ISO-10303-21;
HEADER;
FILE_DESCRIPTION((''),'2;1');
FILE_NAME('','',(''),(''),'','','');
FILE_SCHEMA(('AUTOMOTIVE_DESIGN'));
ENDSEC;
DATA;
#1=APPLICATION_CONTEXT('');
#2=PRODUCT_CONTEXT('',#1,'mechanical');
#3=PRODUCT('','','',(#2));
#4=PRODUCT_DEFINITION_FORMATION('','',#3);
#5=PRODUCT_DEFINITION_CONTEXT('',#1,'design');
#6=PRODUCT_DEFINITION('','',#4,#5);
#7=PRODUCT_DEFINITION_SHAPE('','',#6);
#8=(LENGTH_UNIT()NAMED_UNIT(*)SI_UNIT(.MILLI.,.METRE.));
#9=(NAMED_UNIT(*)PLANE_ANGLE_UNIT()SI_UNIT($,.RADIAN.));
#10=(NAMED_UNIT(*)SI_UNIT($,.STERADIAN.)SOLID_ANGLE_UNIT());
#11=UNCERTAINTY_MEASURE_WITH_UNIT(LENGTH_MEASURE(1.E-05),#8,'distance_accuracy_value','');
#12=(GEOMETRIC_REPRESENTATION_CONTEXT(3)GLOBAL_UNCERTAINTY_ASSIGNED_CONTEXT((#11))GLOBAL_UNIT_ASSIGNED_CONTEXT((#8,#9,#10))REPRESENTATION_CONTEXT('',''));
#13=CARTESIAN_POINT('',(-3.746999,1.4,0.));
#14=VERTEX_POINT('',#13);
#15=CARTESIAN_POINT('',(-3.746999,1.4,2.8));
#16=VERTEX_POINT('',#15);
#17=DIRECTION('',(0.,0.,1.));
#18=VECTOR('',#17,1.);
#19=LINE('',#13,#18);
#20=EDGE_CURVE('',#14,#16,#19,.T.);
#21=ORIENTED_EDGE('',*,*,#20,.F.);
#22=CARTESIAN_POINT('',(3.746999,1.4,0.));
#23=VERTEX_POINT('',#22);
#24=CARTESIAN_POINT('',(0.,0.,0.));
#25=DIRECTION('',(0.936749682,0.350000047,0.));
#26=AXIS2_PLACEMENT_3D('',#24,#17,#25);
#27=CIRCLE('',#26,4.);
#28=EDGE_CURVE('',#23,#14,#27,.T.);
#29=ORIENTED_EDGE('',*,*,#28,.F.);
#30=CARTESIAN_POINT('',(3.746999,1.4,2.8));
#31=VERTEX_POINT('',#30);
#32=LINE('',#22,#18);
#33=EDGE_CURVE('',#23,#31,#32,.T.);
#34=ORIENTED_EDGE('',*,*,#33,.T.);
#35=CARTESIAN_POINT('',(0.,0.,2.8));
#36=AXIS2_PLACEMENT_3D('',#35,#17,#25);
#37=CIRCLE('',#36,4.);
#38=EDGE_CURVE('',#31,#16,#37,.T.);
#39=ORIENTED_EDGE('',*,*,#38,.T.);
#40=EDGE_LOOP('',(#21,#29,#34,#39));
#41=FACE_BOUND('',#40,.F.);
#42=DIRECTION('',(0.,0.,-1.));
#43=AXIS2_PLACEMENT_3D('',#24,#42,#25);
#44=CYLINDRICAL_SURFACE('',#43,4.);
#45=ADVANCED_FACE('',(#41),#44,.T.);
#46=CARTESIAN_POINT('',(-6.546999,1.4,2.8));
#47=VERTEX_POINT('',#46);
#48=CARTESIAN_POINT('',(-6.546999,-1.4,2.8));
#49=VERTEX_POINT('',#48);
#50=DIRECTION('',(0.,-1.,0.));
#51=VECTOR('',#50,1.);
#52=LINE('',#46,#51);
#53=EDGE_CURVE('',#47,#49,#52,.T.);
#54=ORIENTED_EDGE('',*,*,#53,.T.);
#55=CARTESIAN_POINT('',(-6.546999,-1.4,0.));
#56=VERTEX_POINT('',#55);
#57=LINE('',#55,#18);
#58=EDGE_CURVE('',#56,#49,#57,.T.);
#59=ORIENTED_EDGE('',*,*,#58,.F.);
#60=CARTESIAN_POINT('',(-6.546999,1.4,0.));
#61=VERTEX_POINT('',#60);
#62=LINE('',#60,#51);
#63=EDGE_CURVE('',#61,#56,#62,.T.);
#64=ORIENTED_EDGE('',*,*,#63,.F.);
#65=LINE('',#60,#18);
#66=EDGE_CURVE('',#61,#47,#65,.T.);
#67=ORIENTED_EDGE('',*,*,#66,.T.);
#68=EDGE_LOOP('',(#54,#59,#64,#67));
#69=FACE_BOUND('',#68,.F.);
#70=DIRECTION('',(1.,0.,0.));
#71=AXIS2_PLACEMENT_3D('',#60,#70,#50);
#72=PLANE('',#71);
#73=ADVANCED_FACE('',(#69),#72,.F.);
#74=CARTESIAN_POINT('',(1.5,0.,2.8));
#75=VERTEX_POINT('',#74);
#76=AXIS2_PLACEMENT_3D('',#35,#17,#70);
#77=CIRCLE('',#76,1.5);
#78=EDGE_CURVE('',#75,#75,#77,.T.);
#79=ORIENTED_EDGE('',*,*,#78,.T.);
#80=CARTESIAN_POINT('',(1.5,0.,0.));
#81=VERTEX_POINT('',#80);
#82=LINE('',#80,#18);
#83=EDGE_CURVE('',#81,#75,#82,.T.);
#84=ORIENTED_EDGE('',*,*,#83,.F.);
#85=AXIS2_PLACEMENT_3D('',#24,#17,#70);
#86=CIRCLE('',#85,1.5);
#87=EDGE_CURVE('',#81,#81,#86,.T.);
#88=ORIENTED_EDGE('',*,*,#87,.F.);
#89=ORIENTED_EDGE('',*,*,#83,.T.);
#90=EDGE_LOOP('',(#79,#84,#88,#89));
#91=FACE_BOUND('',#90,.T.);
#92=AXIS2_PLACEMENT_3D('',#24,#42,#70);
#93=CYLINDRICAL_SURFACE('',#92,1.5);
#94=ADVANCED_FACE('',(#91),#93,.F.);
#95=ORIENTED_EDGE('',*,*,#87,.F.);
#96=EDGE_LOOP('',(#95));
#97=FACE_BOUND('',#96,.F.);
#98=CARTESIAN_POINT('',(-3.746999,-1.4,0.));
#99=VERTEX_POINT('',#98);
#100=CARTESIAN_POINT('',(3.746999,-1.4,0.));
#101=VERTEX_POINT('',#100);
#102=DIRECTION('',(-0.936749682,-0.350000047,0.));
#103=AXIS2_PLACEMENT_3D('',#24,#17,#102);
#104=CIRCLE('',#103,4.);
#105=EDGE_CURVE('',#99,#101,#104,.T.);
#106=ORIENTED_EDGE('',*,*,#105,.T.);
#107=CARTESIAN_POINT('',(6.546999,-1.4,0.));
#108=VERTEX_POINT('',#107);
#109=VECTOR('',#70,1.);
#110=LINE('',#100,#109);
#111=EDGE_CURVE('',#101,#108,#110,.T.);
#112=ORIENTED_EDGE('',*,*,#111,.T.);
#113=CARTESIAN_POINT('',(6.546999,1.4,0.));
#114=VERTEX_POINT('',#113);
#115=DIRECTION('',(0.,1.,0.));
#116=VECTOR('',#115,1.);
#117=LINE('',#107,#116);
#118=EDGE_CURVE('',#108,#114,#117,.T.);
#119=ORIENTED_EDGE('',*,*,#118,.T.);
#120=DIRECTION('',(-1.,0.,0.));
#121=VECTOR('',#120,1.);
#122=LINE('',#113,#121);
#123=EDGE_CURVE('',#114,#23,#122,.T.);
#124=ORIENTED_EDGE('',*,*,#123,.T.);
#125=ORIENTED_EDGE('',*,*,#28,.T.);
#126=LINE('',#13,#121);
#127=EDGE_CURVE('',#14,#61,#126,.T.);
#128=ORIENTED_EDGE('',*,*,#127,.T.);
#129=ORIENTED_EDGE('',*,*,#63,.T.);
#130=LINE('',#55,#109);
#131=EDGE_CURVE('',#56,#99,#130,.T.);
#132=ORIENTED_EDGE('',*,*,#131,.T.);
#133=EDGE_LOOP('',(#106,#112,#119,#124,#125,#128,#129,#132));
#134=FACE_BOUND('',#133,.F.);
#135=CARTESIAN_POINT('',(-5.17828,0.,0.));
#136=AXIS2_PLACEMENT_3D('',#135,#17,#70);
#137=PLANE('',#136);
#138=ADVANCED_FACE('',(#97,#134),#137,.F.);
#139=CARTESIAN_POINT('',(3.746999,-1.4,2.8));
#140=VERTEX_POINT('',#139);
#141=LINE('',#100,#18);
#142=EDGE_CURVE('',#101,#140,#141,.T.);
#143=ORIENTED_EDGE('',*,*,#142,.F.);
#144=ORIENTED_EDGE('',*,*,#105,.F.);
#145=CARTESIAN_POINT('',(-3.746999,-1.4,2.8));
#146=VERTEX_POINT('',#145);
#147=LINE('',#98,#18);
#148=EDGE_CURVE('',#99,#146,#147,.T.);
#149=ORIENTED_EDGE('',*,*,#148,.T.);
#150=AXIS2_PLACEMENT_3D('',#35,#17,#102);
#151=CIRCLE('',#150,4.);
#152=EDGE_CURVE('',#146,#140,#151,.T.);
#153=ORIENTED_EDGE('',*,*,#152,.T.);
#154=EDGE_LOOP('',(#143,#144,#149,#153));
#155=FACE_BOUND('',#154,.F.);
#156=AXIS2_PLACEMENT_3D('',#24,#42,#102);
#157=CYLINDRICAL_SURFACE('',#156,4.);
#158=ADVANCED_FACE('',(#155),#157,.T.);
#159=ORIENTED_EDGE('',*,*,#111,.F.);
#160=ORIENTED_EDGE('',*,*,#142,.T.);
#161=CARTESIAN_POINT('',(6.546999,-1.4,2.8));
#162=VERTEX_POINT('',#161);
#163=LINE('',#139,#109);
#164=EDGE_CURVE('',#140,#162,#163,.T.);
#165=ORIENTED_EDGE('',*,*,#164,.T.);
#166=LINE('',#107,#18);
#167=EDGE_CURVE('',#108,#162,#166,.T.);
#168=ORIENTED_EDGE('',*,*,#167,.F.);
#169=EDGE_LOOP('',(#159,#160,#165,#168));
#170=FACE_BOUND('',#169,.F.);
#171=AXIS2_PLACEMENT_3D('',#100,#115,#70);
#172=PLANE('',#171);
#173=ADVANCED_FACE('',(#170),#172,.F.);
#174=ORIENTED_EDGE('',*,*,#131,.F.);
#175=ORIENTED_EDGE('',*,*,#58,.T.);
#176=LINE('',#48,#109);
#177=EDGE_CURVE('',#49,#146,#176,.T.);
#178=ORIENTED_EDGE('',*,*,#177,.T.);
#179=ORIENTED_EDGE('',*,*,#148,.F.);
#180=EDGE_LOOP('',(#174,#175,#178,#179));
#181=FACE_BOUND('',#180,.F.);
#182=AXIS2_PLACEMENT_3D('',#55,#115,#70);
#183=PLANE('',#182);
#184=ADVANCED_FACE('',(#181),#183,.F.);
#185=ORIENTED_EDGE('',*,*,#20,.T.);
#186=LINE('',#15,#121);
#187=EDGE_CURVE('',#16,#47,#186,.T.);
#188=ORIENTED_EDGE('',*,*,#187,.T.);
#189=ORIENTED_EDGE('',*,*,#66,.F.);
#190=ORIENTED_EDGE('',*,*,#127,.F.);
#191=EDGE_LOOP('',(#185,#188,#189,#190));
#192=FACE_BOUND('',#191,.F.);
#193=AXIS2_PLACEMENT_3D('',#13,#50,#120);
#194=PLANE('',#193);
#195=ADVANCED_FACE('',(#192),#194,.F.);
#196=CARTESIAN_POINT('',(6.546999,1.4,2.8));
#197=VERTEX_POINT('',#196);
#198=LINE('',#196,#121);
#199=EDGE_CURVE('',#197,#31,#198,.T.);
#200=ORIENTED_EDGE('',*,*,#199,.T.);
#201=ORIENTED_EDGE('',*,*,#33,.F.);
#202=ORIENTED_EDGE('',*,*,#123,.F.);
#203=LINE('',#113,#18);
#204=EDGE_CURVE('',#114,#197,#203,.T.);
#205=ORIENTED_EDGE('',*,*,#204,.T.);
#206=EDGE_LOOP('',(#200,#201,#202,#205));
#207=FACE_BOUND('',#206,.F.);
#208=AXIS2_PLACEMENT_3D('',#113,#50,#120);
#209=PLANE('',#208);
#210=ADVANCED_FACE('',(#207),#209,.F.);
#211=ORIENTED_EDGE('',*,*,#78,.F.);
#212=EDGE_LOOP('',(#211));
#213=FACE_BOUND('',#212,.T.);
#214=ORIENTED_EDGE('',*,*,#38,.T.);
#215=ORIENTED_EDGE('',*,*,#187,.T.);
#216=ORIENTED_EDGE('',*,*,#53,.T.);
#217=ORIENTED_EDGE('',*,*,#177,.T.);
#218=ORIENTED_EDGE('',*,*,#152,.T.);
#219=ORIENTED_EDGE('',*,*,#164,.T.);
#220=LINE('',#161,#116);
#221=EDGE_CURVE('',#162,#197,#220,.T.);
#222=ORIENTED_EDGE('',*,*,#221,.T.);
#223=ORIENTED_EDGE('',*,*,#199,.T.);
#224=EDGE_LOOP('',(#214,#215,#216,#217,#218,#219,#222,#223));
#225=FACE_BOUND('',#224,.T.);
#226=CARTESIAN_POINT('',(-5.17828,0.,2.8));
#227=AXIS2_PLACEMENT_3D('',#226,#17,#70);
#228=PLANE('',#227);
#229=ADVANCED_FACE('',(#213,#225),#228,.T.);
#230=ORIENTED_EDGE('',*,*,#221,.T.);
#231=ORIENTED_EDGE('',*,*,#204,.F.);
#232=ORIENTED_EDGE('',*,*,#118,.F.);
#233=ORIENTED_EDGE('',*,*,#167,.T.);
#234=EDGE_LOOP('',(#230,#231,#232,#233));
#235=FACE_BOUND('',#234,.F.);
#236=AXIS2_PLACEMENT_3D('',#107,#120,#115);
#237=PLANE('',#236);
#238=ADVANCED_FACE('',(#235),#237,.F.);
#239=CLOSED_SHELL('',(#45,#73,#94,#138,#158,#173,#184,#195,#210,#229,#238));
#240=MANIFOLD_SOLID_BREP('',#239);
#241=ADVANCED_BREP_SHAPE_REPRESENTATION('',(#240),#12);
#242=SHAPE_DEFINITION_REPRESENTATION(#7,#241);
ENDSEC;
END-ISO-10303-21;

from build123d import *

# Parameters (mm, degrees)
F0_R     = 1.5
F1_DEPTH = 2.8


with BuildPart() as f1:
    # F0 (on Top) → F1 (new body)
    with BuildSketch(Plane.XY):
        with BuildLine():
            ThreePointArc((-3.746999, -1.4), (-4, 0), (-3.746999, 1.4))
            Line((-3.746999, 1.4), (-6.546999, 1.4))
            Line((-6.546999, 1.4), (-6.546999, -1.4))
            Line((-6.546999, -1.4), (-3.746999, -1.4))
        make_face()
        with BuildLine():
            Line((3.746999, -1.4), (3.746999, 1.4))
            ThreePointArc((3.746999, 1.4), (0, 4), (-3.746999, 1.4))
            Line((-3.746999, 1.4), (-3.746999, -1.4))
            ThreePointArc((-3.746999, -1.4), (0, -4), (3.746999, -1.4))
        make_face()
        Circle(F0_R, mode=Mode.SUBTRACT)
        with BuildLine():
            Line((-3.746999, -1.4), (-3.746999, 1.4))
            ThreePointArc((-3.746999, 1.4), (-4, 0), (-3.746999, -1.4))
        make_face()
        with BuildLine():
            ThreePointArc((3.746999, 1.4), (3.936242, 0.711338), (4, 0))
            ThreePointArc((4, 0), (3.936242, -0.711338), (3.746999, -1.4))
            Line((3.746999, -1.4), (6.546999, -1.4))
            Line((6.546999, -1.4), (6.546999, 1.4))
            Line((6.546999, 1.4), (3.746999, 1.4))
        make_face()
        with BuildLine():
            ThreePointArc((3.746999, -1.4), (3.936242, -0.711338), (4, 0))
            ThreePointArc((4, 0), (3.936242, 0.711338), (3.746999, 1.4))
            Line((3.746999, 1.4), (3.746999, -1.4))
        make_face()
    extrude(amount=F1_DEPTH)


solid = f1.part
